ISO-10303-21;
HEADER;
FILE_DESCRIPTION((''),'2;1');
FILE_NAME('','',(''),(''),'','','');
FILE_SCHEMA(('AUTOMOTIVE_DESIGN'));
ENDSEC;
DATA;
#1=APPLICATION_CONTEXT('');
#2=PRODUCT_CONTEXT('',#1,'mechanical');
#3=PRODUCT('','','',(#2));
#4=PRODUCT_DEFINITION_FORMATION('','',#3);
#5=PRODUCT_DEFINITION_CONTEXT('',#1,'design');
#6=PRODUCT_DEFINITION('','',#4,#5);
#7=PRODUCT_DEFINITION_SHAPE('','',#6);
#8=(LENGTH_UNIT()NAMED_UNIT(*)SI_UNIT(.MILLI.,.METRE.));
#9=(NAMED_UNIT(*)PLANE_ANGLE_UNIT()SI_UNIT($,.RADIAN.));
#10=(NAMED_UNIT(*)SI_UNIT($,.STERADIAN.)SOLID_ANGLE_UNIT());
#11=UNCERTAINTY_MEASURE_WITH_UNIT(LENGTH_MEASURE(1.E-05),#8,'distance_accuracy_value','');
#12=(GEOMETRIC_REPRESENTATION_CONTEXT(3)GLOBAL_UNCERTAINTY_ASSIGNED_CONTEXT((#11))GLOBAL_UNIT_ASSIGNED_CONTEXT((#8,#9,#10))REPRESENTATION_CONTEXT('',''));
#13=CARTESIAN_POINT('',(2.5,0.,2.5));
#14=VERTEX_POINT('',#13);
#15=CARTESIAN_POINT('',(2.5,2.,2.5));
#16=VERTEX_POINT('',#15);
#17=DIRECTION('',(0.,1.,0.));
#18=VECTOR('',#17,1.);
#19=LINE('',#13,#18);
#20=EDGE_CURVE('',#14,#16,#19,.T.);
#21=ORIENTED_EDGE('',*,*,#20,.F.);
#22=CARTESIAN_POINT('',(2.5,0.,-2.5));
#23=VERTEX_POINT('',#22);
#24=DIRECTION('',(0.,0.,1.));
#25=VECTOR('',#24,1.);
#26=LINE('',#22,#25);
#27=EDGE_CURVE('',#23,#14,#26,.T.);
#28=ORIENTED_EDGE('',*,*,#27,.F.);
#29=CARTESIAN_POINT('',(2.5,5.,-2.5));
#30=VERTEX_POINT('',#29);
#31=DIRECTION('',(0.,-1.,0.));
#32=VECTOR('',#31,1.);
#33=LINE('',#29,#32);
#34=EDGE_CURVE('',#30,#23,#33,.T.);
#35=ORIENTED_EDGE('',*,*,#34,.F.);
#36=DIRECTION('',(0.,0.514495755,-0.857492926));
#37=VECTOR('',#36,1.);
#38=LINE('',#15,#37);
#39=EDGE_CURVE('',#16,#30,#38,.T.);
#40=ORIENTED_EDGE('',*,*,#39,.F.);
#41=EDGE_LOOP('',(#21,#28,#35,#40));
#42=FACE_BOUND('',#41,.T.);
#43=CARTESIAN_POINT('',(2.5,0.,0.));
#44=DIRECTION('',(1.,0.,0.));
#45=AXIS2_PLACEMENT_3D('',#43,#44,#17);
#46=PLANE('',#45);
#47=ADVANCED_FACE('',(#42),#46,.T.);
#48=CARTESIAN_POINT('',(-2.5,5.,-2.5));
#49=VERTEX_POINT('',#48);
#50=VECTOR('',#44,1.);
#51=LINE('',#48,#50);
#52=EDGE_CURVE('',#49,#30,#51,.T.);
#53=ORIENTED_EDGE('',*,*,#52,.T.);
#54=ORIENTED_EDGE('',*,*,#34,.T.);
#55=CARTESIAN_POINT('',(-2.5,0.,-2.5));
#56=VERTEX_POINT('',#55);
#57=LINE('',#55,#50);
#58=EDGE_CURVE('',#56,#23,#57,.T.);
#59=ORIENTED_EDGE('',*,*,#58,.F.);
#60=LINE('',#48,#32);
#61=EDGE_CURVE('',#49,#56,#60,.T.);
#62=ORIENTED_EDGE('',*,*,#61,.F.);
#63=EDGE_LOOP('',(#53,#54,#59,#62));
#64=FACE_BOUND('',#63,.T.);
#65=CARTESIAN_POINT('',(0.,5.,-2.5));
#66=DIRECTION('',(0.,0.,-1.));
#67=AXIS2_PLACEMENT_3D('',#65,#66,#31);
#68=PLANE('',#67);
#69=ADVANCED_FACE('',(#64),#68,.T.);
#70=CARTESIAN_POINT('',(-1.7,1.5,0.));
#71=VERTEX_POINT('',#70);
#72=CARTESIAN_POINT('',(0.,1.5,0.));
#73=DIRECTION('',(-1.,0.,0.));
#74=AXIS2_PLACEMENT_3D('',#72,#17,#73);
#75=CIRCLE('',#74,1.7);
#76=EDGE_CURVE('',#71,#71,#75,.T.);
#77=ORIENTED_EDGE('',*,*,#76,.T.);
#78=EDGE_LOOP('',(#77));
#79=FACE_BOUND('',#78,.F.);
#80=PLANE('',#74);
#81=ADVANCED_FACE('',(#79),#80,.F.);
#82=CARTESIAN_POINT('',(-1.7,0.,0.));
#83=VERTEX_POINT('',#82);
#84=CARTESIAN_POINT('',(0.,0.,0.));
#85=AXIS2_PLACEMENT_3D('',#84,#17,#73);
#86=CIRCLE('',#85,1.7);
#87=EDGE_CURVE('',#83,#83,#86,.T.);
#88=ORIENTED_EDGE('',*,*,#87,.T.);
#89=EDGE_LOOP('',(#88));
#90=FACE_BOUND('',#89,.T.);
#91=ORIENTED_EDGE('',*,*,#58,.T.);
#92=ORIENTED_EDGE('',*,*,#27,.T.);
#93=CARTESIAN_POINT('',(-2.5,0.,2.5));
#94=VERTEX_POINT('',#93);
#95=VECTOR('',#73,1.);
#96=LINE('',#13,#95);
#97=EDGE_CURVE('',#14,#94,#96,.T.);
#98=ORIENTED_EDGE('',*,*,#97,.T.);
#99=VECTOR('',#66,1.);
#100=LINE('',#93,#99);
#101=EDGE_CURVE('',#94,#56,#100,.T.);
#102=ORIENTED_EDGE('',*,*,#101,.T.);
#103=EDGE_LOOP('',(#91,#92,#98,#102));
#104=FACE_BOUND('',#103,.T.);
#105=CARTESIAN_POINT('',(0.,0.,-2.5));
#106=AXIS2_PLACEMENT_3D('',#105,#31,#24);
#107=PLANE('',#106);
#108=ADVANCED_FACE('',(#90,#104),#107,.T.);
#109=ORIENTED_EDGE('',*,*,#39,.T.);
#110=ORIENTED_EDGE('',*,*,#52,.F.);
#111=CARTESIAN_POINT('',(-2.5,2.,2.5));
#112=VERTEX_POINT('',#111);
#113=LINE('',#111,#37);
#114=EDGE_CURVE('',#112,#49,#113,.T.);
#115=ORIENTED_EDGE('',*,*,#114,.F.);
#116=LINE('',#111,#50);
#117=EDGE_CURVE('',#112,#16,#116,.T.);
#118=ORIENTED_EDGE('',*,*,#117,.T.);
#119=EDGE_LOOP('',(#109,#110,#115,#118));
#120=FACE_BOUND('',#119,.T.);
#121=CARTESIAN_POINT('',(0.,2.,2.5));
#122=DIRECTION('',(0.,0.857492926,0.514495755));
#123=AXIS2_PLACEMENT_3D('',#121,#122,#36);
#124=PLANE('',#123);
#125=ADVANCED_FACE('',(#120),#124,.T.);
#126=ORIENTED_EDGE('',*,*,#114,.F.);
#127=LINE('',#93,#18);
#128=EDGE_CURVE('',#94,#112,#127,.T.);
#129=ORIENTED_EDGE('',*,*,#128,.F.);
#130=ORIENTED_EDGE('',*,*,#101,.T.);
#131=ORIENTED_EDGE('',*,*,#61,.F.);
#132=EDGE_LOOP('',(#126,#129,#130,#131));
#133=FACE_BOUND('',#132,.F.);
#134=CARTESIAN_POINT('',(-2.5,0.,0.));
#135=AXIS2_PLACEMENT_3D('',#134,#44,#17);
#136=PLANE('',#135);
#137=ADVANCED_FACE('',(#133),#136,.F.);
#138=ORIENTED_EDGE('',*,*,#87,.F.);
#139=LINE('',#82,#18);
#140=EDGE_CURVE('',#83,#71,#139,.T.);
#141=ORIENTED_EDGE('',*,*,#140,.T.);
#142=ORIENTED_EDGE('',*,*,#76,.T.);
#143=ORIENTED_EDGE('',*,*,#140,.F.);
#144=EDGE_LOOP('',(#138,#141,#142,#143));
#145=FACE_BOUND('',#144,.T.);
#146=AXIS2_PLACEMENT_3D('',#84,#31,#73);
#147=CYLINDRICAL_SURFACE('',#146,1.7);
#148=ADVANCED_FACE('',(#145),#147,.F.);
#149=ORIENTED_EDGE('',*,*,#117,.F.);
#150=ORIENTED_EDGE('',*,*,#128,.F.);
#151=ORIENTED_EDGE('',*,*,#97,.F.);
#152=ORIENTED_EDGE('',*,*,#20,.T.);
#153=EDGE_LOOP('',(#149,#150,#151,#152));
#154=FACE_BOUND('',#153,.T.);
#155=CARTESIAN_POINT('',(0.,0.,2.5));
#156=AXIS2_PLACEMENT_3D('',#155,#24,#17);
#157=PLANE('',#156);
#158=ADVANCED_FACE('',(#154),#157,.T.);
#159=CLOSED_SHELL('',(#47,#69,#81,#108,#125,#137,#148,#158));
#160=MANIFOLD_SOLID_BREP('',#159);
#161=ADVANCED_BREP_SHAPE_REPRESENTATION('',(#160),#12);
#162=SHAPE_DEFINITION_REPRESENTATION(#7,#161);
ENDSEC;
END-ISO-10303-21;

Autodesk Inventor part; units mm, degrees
ref_plane "YZ Plane" through (0, 0, 0) normal (1, 0, 0) x (0, 1, 0)
ref_plane "XZ Plane" through (0, 0, 0) normal (0, 1, 0) x (-1, 0, 0)
ref_plane "XY Plane" through (0, 0, 0) normal (0, 0, 1) x (1, 0, 0)
sketch "草圖1" plane through (0, 0, 0) normal (0, 1, 0) x (-1, 0, 0)
  line L0 (2.5, 2.5) -> (-2.5, 2.5)
  line L1 (-2.5, 2.5) -> (-2.5, -2.5)
  line L2 (-2.5, -2.5) -> (2.5, -2.5)
  line L3 (2.5, -2.5) -> (2.5, 2.5)
  circle A0 centre (0, 0) radius 1.7
  point P0 (0, -2.5)
  point P1 (2.5, 0)
  dimension "d0" = 5
  dimension "d1" = 5
  dimension "d2" = 3.4
sketch "草圖2" plane through (0, 0, 0) normal (1, 0, 0) x (0, 1, 0)
  line L0 (0, -2.5) -> (0, 2.5) projected
  line L1 (5, -2.5) -> (0, -2.5)
  line L2 (0, 0) -> (1.5, 0)
  line L3 (0, 2.5) -> (2, 2.5)
  line L4 (2, 2.5) -> (5, -2.5)
  point P0 (0, 2.5)
  dimension "d3" = 1.5
  dimension "d7" = 2
  dimension "d8" = 5
extrude "擠出1" add sketch "草圖2" along normal mid plane 5
extrude "擠出2" cut sketch "草圖1" along normal blind 1.5 contours A0
properties part number "110033226_ipt_14_草地三"
